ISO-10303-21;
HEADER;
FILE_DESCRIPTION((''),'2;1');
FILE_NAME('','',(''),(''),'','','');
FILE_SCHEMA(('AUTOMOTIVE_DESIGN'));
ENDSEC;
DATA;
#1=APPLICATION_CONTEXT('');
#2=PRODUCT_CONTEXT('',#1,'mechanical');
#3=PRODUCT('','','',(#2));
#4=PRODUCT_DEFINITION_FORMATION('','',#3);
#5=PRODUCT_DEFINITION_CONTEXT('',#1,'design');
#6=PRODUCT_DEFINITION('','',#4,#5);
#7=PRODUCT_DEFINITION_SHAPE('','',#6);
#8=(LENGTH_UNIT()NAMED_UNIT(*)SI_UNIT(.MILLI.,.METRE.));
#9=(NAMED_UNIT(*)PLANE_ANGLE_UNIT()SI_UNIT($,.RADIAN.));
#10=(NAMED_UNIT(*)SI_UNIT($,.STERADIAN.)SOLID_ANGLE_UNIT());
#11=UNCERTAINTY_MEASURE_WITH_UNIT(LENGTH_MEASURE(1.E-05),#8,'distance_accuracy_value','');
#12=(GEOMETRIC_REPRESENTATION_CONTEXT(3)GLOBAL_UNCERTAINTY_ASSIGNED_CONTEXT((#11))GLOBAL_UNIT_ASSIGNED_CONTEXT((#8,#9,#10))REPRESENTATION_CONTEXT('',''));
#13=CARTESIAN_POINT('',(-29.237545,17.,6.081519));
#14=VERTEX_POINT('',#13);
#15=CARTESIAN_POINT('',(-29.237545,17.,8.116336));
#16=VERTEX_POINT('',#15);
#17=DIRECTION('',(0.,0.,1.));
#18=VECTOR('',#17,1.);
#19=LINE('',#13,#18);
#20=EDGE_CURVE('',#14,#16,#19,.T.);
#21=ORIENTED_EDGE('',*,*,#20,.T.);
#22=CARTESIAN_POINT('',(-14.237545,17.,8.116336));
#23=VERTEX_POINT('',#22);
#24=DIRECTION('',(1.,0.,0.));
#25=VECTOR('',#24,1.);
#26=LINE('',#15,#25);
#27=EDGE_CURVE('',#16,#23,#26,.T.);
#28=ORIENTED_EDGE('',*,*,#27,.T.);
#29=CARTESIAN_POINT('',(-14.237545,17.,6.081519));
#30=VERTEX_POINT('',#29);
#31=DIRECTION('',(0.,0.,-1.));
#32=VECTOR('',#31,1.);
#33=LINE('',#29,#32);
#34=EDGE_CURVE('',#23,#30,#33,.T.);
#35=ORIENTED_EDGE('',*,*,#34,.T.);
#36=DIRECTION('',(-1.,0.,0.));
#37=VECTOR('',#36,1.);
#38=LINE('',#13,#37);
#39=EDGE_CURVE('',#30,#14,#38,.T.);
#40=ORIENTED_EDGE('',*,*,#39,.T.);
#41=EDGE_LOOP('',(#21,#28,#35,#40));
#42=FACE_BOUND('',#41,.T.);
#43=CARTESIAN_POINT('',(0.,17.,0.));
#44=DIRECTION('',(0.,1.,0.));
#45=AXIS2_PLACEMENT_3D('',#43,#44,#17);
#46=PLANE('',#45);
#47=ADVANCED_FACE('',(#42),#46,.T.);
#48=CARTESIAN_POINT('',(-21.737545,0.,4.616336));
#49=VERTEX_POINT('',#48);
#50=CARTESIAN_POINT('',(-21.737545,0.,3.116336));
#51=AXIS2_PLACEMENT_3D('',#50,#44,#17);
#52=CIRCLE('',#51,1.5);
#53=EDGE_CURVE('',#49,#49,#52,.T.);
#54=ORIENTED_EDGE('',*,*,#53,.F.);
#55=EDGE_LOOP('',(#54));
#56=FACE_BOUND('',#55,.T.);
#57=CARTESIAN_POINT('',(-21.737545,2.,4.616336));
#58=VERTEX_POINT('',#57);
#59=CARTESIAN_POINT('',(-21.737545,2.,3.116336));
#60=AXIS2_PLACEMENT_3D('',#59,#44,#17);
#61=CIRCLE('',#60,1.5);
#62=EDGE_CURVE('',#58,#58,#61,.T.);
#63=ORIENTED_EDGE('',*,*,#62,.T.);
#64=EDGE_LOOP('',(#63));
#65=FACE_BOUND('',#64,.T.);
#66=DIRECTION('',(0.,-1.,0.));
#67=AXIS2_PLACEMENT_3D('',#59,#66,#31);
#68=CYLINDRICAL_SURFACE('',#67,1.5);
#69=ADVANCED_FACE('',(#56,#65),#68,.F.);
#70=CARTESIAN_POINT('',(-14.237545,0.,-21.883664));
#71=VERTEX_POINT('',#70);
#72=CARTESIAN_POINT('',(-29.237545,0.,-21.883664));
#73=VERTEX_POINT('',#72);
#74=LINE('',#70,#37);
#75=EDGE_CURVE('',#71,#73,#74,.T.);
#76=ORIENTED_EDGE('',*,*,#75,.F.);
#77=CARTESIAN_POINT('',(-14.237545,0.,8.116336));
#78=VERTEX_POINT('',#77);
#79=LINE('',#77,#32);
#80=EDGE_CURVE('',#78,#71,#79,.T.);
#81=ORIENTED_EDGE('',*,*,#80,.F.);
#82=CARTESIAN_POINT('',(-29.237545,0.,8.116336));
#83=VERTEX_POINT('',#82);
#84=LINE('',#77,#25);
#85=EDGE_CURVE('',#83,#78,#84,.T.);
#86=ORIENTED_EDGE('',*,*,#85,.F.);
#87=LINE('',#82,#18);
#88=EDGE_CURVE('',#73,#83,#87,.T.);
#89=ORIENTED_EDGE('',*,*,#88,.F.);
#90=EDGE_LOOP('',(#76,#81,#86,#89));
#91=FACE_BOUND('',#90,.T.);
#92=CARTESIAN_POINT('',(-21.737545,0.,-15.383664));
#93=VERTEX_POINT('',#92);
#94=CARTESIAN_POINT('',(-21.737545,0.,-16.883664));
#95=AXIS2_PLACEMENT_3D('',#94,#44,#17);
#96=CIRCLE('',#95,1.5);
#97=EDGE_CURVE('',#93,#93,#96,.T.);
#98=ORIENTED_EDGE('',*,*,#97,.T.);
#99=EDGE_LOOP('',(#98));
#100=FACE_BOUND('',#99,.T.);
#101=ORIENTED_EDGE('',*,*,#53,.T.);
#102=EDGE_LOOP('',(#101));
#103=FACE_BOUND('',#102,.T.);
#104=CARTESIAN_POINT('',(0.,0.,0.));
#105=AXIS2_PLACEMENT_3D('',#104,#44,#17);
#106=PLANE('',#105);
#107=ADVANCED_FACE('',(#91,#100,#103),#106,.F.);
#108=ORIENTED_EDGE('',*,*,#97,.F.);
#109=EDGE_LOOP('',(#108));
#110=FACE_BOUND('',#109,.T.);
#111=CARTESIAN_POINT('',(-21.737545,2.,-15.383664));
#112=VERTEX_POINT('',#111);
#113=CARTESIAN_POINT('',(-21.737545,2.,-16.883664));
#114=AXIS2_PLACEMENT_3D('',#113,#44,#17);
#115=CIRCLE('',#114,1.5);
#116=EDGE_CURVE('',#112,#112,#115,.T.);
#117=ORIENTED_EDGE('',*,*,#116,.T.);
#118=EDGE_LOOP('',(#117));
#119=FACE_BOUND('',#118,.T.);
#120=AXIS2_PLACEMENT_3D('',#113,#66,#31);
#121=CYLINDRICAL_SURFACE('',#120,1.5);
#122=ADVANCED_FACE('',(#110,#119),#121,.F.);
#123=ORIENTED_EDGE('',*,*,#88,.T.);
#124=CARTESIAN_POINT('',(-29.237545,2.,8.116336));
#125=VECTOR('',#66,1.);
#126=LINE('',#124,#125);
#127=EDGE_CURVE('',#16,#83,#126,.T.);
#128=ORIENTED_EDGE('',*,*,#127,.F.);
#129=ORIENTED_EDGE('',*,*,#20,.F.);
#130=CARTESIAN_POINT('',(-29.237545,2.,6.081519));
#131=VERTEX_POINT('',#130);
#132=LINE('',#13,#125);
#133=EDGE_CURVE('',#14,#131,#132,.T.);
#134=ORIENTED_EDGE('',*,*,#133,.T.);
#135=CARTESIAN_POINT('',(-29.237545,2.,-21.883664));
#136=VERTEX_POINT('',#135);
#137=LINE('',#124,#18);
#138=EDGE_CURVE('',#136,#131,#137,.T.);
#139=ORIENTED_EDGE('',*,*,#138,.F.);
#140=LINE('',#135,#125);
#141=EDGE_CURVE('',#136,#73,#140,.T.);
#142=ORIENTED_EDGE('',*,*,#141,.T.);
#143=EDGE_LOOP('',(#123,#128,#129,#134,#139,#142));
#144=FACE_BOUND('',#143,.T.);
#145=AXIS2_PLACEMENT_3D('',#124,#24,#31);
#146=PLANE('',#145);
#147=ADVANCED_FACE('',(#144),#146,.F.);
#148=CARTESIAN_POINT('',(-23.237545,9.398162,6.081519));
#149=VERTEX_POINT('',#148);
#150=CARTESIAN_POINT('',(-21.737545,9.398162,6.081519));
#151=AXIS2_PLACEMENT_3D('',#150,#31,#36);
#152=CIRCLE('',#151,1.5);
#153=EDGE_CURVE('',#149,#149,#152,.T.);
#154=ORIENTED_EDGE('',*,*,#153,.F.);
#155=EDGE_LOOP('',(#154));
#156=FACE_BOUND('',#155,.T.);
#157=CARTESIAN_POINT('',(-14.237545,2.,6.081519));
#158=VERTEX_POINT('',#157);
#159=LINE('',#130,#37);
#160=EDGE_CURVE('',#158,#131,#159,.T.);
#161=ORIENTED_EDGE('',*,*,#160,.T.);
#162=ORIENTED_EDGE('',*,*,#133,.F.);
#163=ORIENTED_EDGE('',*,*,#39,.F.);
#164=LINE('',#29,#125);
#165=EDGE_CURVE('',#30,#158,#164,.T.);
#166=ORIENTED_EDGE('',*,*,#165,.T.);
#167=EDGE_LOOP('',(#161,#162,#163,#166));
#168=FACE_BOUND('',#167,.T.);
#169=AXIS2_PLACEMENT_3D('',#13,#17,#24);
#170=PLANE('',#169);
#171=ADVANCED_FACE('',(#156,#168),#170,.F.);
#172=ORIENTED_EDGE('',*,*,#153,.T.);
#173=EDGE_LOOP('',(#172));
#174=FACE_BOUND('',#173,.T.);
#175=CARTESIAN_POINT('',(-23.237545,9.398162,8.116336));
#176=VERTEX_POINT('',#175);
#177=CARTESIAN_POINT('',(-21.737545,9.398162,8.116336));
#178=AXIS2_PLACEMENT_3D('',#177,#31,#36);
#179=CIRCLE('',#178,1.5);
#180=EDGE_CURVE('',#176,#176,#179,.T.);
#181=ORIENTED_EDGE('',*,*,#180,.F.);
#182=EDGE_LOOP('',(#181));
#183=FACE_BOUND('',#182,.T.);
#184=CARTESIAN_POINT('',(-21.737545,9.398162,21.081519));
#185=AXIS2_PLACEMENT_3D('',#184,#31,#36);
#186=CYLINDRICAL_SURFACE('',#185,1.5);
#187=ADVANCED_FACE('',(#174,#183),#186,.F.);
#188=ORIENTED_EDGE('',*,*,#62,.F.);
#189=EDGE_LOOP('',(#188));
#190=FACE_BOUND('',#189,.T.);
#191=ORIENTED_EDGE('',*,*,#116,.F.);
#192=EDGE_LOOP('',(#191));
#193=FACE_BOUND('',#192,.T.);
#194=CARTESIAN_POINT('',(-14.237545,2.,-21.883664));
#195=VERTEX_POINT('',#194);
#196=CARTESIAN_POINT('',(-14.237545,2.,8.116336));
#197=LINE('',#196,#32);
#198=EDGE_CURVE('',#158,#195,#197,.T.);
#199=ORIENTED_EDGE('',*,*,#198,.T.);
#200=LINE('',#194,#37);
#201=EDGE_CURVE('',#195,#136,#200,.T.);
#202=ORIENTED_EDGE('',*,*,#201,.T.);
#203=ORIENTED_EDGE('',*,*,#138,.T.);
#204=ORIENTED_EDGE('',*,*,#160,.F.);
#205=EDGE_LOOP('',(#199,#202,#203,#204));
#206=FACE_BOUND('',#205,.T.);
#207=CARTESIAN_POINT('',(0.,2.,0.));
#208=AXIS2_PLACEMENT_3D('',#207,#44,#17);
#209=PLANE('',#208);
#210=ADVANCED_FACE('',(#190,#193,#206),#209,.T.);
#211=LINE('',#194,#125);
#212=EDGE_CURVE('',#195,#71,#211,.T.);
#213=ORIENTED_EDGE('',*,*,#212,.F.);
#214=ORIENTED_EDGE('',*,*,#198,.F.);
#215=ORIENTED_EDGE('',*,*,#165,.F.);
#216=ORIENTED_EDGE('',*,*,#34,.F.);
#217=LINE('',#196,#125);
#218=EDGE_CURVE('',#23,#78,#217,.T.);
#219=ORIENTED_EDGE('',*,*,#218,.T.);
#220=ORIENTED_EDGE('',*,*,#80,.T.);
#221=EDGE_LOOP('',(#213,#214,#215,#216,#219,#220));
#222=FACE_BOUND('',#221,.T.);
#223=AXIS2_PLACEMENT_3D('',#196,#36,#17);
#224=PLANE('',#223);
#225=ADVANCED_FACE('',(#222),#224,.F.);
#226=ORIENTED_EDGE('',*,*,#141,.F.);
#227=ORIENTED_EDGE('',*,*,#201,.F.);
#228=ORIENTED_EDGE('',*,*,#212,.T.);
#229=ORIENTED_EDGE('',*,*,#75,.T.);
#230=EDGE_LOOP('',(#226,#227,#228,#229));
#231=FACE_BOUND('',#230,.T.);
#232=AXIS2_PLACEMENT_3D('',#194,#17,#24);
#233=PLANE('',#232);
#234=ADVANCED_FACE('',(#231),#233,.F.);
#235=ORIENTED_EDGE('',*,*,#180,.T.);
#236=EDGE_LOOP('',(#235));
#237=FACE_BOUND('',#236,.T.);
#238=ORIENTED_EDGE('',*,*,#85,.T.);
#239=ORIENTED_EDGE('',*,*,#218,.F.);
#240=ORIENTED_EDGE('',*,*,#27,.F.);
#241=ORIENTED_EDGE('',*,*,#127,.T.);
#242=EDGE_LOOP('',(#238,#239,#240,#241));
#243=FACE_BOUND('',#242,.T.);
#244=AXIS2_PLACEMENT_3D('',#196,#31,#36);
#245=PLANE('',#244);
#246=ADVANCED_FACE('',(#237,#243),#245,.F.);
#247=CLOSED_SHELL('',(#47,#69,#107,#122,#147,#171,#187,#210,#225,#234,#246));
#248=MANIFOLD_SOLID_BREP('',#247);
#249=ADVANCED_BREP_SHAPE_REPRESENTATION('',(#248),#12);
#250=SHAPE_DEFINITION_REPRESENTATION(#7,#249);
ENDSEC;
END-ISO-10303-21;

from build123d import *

# Parameters (mm, degrees)
SKETCH1_W           = 15
SKETCH1_H           = 30
SKETCH1_R           = 1.5
BOSS_EXTRUDE1_DEPTH = 2
SKETCH3_W           = 15
SKETCH3_H           = 2.034817015
BOSS_EXTRUDE2_DEPTH = 15
SKETCH4_R           = 1.5
CUT_EXTRUDE1_DEPTH  = 15


with BuildPart() as part:
    # Sketch1 → Boss-Extrude1 (new body)
    with BuildSketch(Plane(origin=(0, 0, 0), x_dir=(1, 0, 0), z_dir=(0, 1, 0))):
        with Locations((-21.737545239, 6.883664284)):
            Rectangle(SKETCH1_W, SKETCH1_H)
        with Locations((-21.737545239, 16.883664284)):
            Circle(SKETCH1_R, mode=Mode.SUBTRACT)
        with Locations((-21.737545239, -3.116335716)):
            Circle(SKETCH1_R, mode=Mode.SUBTRACT)
    extrude(amount=BOSS_EXTRUDE1_DEPTH)

    # Sketch3 → Boss-Extrude2 (add)
    with BuildSketch(Plane(origin=(0, 2, 0), x_dir=(1, 0, 0), z_dir=(0, 1, 0))):
        with Locations((-21.737545239, -7.098927209)):
            Rectangle(SKETCH3_W, SKETCH3_H)
    extrude(amount=BOSS_EXTRUDE2_DEPTH)

    # Sketch4 → Cut-Extrude1 (cut)
    with BuildSketch(Plane(origin=(0, 0, 6.081518701), x_dir=(-1, 0, 0), z_dir=(0, 0, -1))):
        with Locations((21.737545239, 9.398162072)):
            Circle(SKETCH4_R)
    extrude(amount=-CUT_EXTRUDE1_DEPTH, mode=Mode.SUBTRACT)


solid = part.part
